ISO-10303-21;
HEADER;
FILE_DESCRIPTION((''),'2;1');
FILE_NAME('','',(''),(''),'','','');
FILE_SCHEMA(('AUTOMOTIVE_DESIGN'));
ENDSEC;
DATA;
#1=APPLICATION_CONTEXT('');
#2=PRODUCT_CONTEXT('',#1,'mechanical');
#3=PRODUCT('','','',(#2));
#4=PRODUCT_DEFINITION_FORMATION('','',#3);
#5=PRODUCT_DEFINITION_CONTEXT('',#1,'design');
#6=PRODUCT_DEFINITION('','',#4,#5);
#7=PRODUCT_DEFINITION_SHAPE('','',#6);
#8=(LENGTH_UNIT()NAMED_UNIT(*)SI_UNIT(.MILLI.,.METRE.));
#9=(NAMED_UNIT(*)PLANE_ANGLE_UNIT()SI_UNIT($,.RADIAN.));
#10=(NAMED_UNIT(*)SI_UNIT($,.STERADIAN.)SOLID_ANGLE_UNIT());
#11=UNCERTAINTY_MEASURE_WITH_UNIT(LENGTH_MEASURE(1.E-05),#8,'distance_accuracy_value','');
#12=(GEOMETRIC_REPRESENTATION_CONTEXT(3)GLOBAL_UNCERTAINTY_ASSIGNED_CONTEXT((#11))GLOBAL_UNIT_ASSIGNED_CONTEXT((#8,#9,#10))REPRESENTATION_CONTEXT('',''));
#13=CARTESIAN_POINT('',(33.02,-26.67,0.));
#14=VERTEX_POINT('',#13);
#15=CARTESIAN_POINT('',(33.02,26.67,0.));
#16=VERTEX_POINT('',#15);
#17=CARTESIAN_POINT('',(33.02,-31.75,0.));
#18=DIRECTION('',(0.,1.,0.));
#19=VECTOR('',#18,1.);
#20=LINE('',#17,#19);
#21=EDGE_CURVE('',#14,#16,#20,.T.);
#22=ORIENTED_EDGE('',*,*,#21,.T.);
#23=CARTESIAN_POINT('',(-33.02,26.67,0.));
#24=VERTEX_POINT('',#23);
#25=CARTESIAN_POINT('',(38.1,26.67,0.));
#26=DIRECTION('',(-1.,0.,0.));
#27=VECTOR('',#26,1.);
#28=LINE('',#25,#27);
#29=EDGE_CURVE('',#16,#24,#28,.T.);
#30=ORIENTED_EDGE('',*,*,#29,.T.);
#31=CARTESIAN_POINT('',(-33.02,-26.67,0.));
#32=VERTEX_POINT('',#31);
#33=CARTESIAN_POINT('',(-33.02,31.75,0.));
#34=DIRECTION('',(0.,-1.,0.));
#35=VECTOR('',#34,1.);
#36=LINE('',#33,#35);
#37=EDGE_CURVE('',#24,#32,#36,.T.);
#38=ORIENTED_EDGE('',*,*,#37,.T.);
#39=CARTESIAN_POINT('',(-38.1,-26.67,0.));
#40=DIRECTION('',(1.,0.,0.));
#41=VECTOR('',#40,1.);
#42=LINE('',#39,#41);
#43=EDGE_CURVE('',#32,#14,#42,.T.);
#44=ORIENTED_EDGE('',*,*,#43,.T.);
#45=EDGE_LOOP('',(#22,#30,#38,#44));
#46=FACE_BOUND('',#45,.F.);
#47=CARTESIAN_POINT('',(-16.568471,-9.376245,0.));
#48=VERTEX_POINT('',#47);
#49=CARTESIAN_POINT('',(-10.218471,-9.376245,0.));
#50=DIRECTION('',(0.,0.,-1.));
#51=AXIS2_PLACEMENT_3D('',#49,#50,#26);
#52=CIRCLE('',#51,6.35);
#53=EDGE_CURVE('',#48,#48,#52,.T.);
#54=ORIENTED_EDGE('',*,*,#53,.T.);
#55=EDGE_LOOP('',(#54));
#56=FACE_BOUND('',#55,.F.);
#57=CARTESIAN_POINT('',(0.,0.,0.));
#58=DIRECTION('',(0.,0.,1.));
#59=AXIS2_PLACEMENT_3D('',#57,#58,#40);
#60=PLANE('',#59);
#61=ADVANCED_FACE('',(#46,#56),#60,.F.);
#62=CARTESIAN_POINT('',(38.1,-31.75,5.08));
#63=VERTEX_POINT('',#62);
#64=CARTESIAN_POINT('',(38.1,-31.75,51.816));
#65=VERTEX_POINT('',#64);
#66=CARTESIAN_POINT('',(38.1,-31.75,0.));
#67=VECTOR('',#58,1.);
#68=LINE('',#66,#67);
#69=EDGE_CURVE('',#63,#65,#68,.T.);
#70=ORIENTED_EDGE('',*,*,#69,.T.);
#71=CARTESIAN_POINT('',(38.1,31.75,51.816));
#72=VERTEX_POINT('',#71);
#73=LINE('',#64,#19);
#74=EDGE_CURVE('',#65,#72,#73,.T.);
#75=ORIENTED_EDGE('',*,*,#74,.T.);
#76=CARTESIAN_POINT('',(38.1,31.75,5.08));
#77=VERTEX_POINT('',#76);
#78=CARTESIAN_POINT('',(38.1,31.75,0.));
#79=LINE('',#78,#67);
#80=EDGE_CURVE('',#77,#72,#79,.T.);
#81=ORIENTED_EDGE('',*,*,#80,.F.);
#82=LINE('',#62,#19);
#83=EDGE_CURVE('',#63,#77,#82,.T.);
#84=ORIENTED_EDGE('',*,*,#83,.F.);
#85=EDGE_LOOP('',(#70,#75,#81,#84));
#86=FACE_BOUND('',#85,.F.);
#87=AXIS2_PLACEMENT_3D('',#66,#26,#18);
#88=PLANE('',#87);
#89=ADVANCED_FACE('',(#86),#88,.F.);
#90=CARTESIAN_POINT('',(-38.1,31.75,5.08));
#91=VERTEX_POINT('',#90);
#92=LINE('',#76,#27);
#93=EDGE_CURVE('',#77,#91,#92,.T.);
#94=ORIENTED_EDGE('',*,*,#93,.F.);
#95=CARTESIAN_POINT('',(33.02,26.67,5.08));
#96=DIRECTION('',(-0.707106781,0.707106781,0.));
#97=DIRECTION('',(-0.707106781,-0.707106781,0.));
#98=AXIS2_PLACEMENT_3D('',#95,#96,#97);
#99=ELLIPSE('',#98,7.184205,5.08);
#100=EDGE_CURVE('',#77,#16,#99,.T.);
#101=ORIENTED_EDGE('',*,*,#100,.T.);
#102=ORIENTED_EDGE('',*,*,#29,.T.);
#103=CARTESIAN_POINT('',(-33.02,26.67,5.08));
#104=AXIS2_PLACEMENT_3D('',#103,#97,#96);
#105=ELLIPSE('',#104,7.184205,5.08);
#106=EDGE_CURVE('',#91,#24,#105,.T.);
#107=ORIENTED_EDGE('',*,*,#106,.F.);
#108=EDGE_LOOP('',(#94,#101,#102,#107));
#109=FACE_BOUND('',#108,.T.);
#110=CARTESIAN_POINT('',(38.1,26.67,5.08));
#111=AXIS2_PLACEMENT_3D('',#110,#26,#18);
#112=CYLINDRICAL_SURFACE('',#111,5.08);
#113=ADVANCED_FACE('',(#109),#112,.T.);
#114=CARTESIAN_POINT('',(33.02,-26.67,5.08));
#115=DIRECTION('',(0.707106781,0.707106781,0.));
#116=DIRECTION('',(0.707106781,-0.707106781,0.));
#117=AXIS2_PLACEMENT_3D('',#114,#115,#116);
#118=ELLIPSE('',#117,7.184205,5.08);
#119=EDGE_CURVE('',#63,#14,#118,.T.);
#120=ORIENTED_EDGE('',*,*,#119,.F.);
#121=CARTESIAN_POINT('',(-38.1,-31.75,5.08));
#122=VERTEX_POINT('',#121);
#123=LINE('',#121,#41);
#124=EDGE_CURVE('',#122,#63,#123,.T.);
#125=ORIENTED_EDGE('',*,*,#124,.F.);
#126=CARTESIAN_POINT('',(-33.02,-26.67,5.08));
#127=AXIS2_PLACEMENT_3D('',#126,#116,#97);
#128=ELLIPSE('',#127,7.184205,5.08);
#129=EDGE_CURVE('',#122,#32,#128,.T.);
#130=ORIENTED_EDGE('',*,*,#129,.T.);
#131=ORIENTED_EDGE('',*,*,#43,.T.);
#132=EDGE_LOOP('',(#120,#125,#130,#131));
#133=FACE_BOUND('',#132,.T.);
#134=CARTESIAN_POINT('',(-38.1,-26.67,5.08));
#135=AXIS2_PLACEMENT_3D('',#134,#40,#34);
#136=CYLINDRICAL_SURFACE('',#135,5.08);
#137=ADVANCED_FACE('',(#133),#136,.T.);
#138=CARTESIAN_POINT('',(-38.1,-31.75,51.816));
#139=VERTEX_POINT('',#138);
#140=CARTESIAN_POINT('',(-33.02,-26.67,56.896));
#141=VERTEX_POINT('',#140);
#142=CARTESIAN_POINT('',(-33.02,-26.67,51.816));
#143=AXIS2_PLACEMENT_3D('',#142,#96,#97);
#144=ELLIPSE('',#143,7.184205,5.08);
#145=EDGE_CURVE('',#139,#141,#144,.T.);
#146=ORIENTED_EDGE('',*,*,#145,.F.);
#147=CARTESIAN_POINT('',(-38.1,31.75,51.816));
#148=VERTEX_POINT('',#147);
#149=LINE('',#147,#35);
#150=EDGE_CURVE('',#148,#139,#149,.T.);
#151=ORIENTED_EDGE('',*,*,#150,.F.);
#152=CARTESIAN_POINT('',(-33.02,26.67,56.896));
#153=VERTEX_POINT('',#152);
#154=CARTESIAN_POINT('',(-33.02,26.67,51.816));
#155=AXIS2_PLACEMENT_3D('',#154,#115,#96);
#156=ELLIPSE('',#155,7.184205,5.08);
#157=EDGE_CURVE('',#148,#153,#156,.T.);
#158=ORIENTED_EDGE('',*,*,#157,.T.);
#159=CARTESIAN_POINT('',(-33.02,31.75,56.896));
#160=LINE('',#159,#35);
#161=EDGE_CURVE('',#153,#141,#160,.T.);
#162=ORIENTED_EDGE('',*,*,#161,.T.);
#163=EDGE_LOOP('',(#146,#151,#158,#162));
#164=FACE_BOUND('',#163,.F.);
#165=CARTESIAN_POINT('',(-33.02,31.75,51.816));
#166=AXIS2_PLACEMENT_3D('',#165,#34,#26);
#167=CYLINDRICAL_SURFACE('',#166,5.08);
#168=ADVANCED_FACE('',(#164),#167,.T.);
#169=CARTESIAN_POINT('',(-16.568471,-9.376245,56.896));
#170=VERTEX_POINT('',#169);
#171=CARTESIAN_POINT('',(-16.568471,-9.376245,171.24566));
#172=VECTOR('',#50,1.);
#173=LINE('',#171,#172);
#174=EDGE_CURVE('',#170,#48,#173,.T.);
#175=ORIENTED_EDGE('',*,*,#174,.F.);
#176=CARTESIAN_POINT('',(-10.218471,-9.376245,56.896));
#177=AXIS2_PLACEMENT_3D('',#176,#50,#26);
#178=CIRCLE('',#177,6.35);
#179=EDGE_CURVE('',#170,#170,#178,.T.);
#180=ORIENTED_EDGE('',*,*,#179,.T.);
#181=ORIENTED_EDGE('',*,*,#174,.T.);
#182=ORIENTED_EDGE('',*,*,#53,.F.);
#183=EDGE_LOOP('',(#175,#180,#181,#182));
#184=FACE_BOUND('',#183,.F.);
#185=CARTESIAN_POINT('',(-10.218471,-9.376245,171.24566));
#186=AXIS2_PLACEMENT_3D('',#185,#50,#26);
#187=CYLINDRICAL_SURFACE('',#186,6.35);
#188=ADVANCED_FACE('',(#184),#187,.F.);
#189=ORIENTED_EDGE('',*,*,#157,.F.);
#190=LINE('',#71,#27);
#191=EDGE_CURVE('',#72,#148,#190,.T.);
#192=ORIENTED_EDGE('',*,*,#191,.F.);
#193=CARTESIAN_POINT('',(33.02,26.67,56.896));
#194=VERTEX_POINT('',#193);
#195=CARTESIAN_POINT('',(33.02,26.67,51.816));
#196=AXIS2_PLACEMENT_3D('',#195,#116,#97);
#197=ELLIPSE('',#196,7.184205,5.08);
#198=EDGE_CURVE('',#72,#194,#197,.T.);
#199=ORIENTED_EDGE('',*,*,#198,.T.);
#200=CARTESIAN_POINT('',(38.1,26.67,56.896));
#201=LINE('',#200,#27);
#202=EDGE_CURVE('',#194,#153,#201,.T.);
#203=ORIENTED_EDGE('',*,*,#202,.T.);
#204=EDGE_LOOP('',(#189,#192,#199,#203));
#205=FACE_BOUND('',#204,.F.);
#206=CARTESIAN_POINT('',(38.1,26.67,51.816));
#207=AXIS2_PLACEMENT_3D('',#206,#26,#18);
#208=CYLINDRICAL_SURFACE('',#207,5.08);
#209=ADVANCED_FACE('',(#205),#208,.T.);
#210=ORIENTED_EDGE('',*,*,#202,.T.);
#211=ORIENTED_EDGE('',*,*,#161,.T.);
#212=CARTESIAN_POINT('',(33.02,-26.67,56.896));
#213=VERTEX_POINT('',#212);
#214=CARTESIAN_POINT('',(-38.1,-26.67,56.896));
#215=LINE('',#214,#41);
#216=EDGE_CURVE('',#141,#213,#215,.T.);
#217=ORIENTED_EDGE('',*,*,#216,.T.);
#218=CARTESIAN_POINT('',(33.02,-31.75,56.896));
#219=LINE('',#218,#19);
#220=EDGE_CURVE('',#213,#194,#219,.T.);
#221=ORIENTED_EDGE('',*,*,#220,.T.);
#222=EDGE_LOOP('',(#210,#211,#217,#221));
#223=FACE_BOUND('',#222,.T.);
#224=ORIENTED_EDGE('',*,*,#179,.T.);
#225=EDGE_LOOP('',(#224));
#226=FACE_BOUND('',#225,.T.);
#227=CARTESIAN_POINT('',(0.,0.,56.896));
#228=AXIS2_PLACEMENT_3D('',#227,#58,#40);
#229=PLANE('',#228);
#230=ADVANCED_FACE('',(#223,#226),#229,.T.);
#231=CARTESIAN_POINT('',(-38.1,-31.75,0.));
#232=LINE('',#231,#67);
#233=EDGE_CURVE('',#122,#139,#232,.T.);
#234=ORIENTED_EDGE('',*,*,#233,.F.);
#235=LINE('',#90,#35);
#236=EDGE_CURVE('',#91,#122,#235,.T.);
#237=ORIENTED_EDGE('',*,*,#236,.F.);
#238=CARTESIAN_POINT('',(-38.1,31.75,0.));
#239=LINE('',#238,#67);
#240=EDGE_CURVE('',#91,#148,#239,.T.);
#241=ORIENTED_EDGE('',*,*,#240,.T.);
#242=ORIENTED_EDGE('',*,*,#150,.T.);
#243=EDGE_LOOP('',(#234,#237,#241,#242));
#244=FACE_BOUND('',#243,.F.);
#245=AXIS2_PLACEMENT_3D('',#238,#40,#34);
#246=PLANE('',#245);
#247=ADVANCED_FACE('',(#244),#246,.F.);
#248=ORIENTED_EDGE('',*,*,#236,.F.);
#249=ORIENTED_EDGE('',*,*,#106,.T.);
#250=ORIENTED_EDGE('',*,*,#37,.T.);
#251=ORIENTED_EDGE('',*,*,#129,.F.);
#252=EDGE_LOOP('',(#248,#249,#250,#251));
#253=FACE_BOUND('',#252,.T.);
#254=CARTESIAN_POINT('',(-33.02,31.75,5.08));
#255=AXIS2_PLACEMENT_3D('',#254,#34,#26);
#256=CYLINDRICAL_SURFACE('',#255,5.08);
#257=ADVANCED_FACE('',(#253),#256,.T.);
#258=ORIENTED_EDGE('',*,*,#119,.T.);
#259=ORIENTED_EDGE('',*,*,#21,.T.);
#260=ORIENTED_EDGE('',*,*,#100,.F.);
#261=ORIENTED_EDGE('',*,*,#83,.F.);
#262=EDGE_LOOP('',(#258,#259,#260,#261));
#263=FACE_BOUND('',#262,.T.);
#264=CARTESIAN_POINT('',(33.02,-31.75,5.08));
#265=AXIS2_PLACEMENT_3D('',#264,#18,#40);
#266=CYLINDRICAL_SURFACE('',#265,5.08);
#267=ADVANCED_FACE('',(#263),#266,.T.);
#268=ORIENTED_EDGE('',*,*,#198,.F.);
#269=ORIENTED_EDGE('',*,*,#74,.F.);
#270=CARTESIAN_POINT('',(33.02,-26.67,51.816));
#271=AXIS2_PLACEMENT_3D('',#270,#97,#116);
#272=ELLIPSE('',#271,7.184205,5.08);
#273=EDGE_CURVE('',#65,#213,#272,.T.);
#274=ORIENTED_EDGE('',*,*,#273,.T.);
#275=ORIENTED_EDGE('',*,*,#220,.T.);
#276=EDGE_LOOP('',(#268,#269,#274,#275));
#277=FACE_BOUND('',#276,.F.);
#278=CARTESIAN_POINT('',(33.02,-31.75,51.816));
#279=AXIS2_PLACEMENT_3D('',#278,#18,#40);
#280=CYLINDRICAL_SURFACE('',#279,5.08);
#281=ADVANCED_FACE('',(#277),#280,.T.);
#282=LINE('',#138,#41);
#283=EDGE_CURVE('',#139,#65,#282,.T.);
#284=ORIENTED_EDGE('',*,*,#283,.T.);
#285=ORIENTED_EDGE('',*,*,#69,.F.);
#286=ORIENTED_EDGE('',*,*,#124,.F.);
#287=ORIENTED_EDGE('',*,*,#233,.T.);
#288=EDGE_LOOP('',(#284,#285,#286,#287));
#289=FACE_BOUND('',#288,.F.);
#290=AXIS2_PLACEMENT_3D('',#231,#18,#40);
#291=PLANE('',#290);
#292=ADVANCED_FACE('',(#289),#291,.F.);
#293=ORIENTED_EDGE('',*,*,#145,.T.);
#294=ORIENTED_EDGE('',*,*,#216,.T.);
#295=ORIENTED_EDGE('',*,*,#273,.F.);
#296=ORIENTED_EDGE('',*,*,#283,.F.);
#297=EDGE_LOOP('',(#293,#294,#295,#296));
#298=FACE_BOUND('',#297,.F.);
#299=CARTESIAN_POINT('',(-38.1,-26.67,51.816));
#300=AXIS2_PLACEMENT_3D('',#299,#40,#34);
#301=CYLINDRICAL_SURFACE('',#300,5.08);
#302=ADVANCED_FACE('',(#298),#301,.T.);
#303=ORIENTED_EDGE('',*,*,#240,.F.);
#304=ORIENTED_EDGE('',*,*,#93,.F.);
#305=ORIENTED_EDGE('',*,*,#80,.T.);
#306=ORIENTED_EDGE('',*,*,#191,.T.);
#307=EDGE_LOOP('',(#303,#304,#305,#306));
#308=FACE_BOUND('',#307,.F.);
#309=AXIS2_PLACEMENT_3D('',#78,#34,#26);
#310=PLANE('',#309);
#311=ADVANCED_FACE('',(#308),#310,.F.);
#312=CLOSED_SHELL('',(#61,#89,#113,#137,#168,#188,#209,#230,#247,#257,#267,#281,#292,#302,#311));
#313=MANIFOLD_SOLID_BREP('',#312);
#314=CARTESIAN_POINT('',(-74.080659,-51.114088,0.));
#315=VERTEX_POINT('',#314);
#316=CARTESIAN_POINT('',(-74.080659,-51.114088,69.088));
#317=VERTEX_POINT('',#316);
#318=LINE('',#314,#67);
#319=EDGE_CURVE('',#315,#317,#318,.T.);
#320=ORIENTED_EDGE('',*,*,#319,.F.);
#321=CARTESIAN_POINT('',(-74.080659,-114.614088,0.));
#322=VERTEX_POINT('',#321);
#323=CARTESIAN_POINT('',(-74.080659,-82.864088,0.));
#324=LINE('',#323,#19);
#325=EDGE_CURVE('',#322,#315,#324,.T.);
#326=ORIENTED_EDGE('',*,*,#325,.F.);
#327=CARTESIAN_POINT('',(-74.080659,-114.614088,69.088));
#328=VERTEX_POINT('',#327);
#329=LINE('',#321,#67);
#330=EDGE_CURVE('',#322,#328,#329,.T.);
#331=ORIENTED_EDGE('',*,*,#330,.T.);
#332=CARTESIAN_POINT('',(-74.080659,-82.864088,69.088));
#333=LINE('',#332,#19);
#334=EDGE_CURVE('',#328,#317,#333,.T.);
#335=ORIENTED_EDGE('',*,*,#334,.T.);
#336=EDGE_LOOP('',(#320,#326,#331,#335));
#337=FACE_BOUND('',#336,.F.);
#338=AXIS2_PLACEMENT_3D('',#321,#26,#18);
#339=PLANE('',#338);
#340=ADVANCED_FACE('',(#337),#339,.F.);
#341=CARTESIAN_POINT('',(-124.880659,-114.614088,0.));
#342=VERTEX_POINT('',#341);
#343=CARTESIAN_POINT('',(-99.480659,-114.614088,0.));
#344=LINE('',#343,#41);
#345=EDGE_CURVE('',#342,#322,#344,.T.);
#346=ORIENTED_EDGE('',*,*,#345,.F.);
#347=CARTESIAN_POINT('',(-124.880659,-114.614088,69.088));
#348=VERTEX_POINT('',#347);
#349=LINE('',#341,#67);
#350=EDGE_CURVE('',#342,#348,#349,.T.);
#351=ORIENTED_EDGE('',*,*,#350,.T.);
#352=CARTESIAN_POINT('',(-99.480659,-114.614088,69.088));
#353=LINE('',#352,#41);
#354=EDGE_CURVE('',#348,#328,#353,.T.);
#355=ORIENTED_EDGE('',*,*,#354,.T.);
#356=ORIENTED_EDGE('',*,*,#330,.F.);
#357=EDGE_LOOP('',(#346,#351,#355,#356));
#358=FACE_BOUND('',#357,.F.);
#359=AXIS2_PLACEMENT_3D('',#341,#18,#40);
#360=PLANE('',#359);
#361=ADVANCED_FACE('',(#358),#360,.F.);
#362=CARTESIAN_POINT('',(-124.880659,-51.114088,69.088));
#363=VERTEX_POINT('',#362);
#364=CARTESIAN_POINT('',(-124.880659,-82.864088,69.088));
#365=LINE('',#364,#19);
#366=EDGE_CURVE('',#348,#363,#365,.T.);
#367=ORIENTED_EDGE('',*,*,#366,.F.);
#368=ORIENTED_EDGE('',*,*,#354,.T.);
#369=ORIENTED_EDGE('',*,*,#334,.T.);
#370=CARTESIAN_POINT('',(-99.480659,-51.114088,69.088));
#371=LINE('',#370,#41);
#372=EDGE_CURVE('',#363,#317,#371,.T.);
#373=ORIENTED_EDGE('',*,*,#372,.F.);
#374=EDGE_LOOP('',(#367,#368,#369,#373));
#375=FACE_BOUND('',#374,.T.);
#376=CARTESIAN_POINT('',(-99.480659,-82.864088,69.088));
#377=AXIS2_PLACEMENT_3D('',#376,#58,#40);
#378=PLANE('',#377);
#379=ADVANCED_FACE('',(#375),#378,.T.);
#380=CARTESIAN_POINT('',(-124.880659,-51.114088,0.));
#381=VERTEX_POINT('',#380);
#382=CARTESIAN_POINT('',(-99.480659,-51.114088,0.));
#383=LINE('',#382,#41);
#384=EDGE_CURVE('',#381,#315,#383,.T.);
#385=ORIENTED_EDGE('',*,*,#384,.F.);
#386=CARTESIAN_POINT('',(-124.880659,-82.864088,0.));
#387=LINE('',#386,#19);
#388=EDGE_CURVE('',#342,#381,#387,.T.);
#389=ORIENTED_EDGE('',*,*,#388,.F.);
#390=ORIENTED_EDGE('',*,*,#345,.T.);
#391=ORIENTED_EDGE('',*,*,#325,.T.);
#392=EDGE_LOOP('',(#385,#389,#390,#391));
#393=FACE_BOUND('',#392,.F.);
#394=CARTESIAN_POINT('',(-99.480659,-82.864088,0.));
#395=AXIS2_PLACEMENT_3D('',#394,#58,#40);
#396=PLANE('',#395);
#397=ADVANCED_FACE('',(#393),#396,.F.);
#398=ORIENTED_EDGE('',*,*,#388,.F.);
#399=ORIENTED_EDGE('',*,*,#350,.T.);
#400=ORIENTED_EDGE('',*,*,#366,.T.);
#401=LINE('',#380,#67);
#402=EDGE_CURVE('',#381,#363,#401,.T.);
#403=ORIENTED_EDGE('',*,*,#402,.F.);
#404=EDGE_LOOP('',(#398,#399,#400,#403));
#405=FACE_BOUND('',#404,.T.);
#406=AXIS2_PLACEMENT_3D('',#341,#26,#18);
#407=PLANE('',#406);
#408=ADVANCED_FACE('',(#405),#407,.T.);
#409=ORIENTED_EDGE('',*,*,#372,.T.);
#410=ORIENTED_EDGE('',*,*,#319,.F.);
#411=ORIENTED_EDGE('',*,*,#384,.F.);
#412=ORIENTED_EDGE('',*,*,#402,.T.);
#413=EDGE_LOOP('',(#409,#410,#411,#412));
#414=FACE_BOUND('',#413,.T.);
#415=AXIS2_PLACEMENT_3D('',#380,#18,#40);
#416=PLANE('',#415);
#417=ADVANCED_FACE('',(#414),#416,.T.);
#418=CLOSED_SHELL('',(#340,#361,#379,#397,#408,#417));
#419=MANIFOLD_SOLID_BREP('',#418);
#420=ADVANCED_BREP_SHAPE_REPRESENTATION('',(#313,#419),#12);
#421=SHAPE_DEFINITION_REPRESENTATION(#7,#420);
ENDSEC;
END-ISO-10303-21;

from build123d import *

# Parameters (mm, degrees)
F1_DEPTH = 56.896
F2_R     = 5.08
F4_D     = 12.7
F5_W     = 50.8
F5_H     = 63.5
F6_DEPTH = 69.088


with BuildPart() as f1:
    # F0 (on Top) → F1 (new body)
    with BuildSketch(Plane.XY):
        Polygon((38.1, 31.75), (0, 31.75), (-38.1, 31.75), (-38.1, 0), (-38.1, -31.75), (0, -31.75), (38.1, -31.75), (38.1, 0), align=None)
    extrude(amount=F1_DEPTH)

    # F2
    f2_edges = [f1.edges().sort_by_distance(p)[0] for p in [
        (0, 31.75, 56.896),
        (-38.1, 0, 56.896),
        (0, -31.75, 56.896),
        (38.1, 0, 56.896),
        (0, 31.75, 0),
        (-38.1, 0, 0),
        (0, -31.75, 0),
        (38.1, 0, 0),
    ]]
    fillet(f2_edges, radius=F2_R)

    # F4 (through all)
    with Locations(Plane.XY.offset(56.896)):
        with Locations((-10.218471, -9.376245)):
            Hole(F4_D / 2)


with BuildPart() as f6:
    # F5 (on Top) → F6 (new body)
    with BuildSketch(Plane.XY):
        with Locations((-99.480659, -82.864088)):
            Rectangle(F5_W, F5_H)
    extrude(amount=F6_DEPTH)


solid = Compound([f1.part, f6.part])
